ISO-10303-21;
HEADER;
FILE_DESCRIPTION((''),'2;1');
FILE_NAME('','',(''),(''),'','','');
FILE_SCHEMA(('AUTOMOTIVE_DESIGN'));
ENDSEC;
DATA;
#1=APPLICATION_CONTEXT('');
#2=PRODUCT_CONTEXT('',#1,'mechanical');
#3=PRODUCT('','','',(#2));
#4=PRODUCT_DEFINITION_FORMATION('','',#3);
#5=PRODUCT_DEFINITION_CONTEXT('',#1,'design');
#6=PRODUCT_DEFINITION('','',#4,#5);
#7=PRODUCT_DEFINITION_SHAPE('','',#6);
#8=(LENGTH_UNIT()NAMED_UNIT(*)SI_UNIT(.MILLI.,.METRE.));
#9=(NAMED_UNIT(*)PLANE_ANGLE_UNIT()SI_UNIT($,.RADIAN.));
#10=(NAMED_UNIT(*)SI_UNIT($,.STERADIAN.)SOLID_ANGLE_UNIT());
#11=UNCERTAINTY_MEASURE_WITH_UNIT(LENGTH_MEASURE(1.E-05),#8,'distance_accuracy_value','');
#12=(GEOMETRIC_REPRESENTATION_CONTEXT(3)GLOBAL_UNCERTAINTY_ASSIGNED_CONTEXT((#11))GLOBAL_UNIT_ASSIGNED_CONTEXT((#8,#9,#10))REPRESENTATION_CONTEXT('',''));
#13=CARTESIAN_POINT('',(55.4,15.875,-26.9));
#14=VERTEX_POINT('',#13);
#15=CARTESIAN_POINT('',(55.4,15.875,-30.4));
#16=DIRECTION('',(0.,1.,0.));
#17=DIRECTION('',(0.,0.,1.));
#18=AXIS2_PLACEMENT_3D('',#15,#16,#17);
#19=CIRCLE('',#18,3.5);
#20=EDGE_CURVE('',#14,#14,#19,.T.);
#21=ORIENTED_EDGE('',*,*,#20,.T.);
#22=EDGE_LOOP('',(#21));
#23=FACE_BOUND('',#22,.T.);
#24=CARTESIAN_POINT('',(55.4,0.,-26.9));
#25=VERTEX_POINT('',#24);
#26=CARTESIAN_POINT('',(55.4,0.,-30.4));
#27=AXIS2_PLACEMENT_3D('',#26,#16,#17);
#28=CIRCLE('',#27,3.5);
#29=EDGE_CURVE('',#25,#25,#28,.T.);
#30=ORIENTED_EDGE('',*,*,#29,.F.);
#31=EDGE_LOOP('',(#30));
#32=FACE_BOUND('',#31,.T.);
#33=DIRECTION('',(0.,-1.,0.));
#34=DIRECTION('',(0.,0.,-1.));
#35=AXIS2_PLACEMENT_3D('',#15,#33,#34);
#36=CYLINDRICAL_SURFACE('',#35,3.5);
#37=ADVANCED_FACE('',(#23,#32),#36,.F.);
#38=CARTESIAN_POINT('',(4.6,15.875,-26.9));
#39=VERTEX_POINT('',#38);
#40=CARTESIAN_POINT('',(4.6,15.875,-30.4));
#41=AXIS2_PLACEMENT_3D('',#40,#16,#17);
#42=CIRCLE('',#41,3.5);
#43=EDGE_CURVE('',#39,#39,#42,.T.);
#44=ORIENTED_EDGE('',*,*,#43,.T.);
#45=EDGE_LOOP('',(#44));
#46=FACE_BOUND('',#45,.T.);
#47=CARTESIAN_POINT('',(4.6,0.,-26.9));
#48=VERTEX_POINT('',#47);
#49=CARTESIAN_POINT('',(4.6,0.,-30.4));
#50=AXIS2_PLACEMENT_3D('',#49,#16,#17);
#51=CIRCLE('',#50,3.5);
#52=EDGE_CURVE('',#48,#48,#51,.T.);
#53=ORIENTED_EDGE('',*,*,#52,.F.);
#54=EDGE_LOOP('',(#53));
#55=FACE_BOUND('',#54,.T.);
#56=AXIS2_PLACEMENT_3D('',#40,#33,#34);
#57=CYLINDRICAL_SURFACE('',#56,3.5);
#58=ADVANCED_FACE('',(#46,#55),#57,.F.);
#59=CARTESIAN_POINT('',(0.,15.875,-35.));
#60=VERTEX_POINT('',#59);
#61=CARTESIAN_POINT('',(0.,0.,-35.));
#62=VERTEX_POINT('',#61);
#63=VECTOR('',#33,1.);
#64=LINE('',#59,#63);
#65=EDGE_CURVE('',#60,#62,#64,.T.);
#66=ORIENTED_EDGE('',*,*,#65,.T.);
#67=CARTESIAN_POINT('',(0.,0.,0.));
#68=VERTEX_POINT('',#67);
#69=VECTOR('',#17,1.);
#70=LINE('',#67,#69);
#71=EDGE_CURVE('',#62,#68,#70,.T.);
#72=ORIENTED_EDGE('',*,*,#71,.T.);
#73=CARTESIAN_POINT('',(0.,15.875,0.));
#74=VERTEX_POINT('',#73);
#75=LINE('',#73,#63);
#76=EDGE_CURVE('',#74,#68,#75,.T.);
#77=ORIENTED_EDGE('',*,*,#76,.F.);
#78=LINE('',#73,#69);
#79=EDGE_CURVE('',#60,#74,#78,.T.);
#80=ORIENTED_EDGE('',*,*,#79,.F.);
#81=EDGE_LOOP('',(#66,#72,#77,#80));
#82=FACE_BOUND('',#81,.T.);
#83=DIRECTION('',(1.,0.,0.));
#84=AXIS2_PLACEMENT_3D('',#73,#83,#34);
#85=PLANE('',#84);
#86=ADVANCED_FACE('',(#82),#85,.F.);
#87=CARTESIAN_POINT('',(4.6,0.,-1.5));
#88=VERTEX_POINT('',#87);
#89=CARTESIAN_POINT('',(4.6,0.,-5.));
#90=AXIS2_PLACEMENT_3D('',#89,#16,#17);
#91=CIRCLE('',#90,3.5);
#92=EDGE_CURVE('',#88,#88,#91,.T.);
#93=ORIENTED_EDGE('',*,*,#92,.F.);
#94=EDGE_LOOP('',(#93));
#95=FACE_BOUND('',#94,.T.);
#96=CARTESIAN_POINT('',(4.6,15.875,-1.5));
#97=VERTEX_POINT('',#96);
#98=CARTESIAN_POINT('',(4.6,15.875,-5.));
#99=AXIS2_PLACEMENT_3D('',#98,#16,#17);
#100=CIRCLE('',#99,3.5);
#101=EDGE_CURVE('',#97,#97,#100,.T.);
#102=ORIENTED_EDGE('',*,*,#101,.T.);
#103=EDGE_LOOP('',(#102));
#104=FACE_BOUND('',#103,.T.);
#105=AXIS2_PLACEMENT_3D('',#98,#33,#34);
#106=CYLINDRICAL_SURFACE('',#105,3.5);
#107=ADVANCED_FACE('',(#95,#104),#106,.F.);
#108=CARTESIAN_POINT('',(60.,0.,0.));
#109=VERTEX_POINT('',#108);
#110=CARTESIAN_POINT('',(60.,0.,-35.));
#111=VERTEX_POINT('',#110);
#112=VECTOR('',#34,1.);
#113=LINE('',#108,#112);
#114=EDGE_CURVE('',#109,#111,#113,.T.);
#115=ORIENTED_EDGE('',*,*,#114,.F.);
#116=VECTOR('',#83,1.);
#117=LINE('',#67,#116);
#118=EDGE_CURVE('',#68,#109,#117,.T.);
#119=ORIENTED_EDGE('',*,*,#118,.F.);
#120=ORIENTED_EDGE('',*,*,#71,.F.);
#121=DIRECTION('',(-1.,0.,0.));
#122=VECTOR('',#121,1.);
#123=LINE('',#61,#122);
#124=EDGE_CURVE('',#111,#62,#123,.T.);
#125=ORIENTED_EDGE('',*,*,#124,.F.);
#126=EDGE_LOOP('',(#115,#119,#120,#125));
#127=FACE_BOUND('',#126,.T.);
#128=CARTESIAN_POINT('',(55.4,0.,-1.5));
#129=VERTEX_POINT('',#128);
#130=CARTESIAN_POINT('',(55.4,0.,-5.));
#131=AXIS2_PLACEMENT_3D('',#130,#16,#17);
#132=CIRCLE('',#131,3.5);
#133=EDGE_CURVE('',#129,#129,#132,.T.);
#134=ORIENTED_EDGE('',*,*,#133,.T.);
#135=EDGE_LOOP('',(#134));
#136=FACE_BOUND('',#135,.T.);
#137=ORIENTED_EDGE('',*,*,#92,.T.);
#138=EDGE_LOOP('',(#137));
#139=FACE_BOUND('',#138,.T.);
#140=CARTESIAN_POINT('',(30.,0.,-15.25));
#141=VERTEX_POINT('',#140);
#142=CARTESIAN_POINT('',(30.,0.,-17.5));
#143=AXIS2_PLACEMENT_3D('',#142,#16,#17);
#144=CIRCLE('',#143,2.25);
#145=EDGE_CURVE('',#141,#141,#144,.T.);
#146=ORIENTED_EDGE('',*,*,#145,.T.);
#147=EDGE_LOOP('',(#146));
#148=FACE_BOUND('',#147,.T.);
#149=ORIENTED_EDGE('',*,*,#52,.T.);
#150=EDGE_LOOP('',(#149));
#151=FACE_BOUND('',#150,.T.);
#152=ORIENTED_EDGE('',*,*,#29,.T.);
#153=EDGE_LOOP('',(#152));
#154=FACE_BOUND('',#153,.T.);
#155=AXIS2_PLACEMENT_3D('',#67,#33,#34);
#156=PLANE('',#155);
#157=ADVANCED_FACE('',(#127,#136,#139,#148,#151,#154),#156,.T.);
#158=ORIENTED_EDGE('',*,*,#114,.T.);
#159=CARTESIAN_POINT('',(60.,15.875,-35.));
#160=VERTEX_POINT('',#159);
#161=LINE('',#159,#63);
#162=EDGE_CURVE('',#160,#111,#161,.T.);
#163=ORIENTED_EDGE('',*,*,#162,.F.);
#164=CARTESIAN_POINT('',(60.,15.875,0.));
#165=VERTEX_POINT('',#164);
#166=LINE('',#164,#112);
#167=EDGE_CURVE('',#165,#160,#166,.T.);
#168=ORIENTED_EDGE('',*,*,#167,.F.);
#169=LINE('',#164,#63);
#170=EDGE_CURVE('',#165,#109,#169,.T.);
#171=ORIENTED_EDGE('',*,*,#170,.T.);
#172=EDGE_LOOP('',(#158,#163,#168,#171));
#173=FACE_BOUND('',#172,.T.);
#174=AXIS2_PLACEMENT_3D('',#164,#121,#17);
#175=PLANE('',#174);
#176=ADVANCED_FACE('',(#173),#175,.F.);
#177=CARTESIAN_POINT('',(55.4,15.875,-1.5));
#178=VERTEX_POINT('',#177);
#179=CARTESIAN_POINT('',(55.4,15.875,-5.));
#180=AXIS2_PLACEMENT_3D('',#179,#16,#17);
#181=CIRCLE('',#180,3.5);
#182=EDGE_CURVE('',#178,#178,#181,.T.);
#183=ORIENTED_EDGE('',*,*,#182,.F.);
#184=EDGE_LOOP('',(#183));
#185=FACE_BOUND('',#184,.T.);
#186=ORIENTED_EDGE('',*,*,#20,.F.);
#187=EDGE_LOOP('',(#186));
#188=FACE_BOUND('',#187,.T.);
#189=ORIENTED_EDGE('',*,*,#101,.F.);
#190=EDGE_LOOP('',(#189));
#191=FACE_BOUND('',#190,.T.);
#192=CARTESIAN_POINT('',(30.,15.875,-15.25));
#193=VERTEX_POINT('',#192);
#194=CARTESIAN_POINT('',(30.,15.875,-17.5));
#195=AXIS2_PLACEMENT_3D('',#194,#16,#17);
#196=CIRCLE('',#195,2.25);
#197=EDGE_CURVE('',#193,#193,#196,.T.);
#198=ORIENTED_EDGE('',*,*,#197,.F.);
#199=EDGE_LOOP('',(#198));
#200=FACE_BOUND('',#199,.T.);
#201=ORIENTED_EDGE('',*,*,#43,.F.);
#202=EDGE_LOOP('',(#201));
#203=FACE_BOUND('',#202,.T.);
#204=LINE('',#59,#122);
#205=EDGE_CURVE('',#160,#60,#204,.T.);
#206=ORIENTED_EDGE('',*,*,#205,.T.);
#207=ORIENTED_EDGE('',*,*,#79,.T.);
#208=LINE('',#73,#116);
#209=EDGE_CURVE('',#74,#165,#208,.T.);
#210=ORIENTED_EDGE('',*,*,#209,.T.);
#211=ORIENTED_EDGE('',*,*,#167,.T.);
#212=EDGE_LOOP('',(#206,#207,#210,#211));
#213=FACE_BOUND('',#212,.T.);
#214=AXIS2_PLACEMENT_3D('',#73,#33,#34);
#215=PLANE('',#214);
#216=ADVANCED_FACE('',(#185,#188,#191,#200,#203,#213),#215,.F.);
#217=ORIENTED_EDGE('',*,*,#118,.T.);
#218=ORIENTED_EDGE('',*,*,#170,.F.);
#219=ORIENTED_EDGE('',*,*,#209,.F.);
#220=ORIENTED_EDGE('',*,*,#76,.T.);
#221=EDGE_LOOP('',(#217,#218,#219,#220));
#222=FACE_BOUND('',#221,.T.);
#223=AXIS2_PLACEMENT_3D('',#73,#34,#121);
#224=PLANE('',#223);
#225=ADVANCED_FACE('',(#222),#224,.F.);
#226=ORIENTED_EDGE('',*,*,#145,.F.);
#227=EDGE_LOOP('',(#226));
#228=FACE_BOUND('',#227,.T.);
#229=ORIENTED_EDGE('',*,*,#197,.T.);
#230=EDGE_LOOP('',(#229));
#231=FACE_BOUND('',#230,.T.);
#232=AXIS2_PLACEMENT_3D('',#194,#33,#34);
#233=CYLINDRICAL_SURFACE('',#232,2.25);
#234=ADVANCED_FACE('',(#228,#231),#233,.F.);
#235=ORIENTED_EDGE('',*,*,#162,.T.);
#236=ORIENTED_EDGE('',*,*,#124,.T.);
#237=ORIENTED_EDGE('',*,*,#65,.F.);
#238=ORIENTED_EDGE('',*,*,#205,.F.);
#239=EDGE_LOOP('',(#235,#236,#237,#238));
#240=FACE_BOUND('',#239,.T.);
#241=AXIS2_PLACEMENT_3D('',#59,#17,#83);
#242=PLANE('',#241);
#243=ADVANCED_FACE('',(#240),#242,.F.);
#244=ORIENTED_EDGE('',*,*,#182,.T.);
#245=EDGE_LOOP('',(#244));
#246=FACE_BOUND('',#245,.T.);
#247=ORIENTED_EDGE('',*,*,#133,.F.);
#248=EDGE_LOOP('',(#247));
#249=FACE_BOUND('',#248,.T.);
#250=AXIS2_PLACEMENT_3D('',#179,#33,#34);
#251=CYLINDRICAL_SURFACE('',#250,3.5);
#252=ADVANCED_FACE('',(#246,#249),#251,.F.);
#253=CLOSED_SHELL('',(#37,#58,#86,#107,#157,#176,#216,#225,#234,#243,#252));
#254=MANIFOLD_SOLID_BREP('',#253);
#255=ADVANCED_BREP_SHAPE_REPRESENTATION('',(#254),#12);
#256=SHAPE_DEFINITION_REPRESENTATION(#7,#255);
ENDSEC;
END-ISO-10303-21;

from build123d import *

# Parameters (mm, degrees)
SKETCH1_W           = 60
SKETCH1_H           = 35
SKETCH1_R           = 3.5
SKETCH1_R_2         = 2.25
BOSS_EXTRUDE1_DEPTH = 15.875


with BuildPart() as part:
    # Sketch1 → Boss-Extrude1 (new body)
    with BuildSketch(Plane(origin=(0, 0, 0), x_dir=(1, 0, 0), z_dir=(0, 1, 0))):
        with Locations((30, 17.5)):
            Rectangle(SKETCH1_W, SKETCH1_H)
        with Locations((4.6, 30.4)):
            Circle(SKETCH1_R, mode=Mode.SUBTRACT)
        with Locations((55.4, 30.4)):
            Circle(SKETCH1_R, mode=Mode.SUBTRACT)
        with Locations((4.6, 5)):
            Circle(SKETCH1_R, mode=Mode.SUBTRACT)
        with Locations((55.4, 5)):
            Circle(SKETCH1_R, mode=Mode.SUBTRACT)
        with Locations((30, 17.5)):
            Circle(SKETCH1_R_2, mode=Mode.SUBTRACT)
    extrude(amount=BOSS_EXTRUDE1_DEPTH)


solid = part.part
